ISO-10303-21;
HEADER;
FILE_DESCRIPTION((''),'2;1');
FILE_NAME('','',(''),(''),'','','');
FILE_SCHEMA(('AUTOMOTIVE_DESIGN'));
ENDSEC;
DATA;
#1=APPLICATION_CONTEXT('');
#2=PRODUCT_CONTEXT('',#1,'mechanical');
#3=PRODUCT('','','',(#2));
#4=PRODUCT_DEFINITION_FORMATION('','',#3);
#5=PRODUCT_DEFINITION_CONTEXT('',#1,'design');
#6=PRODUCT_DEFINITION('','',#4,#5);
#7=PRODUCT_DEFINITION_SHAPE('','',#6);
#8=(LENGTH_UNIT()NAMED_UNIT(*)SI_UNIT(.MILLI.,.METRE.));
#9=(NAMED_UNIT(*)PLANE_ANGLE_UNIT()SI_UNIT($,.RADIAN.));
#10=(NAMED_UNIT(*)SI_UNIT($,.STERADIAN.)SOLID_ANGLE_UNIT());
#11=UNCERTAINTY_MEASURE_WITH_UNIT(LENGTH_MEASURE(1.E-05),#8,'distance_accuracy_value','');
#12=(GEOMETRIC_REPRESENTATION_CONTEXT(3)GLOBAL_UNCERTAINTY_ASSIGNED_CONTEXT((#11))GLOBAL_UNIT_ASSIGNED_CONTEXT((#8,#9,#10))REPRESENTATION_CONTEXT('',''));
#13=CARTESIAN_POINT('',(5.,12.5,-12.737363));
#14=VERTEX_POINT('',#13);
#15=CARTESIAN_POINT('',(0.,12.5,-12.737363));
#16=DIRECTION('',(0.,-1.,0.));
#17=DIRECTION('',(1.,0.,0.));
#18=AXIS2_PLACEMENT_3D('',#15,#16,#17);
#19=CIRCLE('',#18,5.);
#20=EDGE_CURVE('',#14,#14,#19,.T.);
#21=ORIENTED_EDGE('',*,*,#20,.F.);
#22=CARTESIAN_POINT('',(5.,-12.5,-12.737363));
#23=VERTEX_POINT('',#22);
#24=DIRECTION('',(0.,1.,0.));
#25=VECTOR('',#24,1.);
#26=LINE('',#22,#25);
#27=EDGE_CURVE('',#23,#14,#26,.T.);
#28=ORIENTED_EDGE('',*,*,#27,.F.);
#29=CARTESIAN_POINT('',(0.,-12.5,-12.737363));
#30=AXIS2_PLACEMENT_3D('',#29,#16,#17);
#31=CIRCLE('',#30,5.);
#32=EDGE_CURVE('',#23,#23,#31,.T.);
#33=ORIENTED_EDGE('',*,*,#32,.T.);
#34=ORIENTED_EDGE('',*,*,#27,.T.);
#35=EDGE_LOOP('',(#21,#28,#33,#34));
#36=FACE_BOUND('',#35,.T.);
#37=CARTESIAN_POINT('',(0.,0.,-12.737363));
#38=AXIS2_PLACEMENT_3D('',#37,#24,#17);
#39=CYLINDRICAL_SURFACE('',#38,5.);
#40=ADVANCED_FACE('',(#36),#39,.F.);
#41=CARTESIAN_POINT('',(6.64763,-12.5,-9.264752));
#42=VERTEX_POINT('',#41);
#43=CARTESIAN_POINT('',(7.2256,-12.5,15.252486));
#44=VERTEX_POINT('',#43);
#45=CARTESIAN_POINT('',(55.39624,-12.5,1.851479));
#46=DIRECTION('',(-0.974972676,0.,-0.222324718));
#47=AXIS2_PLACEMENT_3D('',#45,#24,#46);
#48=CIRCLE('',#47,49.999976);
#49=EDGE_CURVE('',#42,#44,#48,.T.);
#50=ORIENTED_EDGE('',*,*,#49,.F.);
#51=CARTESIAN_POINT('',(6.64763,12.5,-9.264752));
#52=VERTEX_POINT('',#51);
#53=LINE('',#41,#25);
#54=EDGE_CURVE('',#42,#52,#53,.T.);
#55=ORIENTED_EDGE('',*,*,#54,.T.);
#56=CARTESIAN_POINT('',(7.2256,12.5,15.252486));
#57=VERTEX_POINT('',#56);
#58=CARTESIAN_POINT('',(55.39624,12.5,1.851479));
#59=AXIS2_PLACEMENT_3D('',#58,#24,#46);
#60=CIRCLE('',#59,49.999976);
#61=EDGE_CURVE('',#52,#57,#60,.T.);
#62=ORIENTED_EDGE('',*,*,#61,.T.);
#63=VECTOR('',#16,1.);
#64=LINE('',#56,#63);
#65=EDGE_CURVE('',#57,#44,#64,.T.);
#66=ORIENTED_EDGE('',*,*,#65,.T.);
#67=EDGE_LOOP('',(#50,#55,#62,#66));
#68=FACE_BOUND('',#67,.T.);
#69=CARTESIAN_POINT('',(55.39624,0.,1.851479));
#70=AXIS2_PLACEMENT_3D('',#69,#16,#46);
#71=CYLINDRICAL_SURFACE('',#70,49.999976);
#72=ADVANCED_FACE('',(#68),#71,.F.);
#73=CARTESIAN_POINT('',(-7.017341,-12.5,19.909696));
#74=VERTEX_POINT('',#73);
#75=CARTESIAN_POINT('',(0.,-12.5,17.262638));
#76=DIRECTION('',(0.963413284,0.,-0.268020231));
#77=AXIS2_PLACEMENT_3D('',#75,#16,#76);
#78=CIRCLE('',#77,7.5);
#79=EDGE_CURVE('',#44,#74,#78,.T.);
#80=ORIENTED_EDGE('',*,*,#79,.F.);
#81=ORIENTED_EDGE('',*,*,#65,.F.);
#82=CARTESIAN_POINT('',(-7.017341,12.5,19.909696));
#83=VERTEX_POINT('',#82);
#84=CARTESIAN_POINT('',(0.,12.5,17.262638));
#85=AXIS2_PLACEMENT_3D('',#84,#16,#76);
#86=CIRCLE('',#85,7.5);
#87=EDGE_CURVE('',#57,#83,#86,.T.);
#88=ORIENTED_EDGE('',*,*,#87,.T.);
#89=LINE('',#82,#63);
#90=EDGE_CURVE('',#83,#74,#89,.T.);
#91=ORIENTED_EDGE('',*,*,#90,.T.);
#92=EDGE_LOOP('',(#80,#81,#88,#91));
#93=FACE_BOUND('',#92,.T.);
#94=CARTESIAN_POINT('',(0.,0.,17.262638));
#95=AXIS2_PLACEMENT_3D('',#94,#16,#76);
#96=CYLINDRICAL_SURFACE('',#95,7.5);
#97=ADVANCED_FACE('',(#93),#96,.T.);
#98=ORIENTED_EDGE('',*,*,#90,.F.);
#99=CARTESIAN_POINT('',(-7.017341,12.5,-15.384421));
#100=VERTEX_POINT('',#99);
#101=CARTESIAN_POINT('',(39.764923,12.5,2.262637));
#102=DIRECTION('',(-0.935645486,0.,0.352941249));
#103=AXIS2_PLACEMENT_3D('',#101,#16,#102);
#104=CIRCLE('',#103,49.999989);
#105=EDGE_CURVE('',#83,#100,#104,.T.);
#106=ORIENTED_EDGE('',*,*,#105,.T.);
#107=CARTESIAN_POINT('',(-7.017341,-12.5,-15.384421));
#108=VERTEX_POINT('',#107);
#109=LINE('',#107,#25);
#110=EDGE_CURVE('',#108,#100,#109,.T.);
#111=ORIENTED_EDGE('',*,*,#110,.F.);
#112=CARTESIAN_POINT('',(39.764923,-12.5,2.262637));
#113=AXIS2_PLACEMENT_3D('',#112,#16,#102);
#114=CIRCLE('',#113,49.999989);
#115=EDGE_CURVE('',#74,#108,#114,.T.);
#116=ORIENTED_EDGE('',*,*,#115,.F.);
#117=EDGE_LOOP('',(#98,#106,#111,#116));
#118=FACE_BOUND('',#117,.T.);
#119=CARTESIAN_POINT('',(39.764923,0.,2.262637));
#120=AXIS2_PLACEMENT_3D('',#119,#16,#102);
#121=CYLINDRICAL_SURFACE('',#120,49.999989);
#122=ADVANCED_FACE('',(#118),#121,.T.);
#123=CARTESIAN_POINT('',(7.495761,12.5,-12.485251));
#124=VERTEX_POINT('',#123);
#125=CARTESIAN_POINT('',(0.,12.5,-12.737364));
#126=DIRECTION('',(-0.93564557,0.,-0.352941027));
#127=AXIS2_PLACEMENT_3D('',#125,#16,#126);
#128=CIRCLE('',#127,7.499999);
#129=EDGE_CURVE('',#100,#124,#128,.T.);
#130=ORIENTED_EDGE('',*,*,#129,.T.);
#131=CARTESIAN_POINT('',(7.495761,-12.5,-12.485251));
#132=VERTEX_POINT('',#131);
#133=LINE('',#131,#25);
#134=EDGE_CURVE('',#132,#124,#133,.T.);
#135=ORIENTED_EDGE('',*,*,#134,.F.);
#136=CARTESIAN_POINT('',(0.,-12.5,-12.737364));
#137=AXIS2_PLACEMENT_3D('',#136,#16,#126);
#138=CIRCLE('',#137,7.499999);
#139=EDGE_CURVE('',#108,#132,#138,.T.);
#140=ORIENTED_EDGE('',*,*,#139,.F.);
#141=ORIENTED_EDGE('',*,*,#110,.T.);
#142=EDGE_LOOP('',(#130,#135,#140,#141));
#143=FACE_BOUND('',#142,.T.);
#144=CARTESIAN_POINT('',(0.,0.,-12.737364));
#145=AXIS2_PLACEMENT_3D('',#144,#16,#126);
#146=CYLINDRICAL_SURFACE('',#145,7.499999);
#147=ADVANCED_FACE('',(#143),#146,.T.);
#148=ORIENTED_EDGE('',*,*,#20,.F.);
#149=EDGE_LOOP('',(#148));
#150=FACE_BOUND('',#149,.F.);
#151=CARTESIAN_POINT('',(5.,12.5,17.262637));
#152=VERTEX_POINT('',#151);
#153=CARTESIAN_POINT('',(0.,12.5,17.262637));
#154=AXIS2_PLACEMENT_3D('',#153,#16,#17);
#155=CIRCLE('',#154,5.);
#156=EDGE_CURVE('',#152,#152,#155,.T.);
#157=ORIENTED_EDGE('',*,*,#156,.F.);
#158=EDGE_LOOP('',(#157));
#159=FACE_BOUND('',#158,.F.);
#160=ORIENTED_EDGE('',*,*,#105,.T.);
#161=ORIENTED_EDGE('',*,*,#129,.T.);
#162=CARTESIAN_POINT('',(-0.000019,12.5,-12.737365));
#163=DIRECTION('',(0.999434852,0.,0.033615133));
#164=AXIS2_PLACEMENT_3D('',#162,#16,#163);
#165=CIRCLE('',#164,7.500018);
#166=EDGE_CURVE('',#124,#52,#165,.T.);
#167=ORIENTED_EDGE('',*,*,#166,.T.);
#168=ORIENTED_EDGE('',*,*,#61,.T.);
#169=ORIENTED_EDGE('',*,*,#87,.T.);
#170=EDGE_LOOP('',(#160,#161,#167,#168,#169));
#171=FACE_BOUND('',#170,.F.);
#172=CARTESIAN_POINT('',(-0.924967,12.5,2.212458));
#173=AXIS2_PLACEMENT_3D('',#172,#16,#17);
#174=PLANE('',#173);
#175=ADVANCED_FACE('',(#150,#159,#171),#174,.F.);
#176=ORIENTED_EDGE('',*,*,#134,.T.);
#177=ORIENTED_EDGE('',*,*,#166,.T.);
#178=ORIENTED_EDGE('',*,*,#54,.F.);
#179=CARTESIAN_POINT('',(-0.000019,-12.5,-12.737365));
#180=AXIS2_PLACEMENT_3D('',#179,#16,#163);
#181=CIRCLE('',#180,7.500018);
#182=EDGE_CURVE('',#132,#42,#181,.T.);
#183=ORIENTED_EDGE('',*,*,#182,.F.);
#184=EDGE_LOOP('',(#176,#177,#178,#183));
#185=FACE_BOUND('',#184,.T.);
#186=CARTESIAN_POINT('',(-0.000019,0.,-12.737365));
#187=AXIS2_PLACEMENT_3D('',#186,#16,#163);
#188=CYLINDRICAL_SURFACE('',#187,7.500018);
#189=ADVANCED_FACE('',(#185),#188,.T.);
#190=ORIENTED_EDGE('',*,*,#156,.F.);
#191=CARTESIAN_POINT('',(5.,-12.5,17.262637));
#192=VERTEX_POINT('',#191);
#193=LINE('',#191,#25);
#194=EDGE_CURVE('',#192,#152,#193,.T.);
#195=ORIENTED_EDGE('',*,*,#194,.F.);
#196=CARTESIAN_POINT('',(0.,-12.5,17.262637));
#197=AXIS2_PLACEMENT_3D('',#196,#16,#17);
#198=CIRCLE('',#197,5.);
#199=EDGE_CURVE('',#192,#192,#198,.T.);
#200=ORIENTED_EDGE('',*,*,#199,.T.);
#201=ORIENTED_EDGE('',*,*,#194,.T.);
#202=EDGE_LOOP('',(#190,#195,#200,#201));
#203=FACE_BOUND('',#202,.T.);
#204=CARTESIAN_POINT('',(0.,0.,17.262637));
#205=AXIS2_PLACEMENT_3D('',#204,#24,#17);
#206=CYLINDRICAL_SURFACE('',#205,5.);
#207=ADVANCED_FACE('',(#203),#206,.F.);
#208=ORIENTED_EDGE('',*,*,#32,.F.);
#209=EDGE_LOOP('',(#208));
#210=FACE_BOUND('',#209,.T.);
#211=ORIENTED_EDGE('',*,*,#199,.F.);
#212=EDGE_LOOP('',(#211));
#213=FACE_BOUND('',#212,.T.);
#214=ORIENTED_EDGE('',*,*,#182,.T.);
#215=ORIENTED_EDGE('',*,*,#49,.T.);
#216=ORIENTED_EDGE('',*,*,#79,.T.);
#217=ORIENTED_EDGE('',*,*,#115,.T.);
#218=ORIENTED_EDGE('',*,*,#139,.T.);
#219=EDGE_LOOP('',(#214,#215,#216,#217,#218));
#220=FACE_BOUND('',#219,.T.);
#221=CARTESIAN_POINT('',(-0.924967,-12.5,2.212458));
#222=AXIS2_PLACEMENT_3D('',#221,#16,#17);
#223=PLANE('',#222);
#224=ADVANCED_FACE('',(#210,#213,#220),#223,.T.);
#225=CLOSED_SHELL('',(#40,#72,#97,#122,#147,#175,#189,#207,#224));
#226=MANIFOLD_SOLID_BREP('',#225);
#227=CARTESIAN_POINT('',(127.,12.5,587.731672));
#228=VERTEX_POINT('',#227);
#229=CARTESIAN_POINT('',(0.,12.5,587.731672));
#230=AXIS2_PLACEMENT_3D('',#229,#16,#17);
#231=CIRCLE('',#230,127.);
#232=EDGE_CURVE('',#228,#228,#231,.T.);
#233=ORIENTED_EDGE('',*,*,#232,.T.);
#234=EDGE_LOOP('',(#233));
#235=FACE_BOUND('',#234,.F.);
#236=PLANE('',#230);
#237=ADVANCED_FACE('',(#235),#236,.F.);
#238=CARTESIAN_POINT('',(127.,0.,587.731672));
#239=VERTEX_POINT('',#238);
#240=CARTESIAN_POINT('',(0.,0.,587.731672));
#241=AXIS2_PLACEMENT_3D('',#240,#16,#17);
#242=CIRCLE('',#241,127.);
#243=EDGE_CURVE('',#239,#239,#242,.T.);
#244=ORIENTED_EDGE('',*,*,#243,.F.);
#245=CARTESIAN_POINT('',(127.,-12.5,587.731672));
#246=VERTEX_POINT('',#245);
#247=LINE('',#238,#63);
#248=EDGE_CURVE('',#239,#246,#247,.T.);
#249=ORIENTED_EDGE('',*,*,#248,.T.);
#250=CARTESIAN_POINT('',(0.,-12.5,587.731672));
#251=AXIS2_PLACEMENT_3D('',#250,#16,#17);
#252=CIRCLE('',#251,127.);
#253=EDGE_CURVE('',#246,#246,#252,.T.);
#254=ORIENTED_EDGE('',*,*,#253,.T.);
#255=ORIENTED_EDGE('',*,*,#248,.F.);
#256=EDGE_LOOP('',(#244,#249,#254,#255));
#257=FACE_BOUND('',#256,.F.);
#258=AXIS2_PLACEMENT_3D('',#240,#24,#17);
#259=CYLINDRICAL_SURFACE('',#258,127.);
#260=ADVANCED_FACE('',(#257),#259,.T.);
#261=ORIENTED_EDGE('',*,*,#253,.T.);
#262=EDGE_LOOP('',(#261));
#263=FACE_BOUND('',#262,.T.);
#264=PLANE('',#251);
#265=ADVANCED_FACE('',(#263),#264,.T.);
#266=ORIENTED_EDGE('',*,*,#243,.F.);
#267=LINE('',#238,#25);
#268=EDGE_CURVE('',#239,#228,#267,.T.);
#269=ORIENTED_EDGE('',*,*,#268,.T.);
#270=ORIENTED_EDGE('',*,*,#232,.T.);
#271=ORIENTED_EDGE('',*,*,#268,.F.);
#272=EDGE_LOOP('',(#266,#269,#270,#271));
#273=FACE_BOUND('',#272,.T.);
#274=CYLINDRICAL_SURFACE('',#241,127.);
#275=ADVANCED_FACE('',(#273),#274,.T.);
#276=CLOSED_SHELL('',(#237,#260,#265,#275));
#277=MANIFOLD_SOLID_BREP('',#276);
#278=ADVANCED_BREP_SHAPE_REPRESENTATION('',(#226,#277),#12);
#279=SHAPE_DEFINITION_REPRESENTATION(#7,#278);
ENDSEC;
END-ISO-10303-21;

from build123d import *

# Parameters (mm, degrees)
F0_R     = 127
F0_R_2   = 5
F1_DEPTH = 12.5


with BuildPart() as f1:
    # F0 (on Front) → F1 (new body, symmetric)
    with BuildSketch(Plane.XZ):
        with Locations((0, 587.731672)):
            Circle(F0_R)
        with BuildLine():
            ThreePointArc((6.64763, -9.264752), (5.410152, 3.029852), (7.2256, 15.252486))
            ThreePointArc((7.2256, 15.252486), (2.330932, 24.391225), (-7.017341, 19.909696))
            ThreePointArc((-7.017341, 19.909696), (-10.235066, 2.262637), (-7.017341, -15.384421))
            ThreePointArc((-7.017341, -15.384421), (1.46919, -20.092054), (7.495761, -12.485251))
            ThreePointArc((7.495761, -12.485251), (7.044875, -10.882065), (6.64763, -9.264752))
        make_face()
        with Locations((0, -12.737363)):
            Circle(F0_R_2, mode=Mode.SUBTRACT)
        with Locations((0, 17.262637)):
            Circle(F0_R_2, mode=Mode.SUBTRACT)
        with BuildLine():
            ThreePointArc((7.495761, -12.485251), (7.252708, -10.827331), (6.64763, -9.264752))
            ThreePointArc((6.64763, -9.264752), (7.044875, -10.882065), (7.495761, -12.485251))
        make_face()
    extrude(amount=F1_DEPTH, both=True)


solid = f1.part
